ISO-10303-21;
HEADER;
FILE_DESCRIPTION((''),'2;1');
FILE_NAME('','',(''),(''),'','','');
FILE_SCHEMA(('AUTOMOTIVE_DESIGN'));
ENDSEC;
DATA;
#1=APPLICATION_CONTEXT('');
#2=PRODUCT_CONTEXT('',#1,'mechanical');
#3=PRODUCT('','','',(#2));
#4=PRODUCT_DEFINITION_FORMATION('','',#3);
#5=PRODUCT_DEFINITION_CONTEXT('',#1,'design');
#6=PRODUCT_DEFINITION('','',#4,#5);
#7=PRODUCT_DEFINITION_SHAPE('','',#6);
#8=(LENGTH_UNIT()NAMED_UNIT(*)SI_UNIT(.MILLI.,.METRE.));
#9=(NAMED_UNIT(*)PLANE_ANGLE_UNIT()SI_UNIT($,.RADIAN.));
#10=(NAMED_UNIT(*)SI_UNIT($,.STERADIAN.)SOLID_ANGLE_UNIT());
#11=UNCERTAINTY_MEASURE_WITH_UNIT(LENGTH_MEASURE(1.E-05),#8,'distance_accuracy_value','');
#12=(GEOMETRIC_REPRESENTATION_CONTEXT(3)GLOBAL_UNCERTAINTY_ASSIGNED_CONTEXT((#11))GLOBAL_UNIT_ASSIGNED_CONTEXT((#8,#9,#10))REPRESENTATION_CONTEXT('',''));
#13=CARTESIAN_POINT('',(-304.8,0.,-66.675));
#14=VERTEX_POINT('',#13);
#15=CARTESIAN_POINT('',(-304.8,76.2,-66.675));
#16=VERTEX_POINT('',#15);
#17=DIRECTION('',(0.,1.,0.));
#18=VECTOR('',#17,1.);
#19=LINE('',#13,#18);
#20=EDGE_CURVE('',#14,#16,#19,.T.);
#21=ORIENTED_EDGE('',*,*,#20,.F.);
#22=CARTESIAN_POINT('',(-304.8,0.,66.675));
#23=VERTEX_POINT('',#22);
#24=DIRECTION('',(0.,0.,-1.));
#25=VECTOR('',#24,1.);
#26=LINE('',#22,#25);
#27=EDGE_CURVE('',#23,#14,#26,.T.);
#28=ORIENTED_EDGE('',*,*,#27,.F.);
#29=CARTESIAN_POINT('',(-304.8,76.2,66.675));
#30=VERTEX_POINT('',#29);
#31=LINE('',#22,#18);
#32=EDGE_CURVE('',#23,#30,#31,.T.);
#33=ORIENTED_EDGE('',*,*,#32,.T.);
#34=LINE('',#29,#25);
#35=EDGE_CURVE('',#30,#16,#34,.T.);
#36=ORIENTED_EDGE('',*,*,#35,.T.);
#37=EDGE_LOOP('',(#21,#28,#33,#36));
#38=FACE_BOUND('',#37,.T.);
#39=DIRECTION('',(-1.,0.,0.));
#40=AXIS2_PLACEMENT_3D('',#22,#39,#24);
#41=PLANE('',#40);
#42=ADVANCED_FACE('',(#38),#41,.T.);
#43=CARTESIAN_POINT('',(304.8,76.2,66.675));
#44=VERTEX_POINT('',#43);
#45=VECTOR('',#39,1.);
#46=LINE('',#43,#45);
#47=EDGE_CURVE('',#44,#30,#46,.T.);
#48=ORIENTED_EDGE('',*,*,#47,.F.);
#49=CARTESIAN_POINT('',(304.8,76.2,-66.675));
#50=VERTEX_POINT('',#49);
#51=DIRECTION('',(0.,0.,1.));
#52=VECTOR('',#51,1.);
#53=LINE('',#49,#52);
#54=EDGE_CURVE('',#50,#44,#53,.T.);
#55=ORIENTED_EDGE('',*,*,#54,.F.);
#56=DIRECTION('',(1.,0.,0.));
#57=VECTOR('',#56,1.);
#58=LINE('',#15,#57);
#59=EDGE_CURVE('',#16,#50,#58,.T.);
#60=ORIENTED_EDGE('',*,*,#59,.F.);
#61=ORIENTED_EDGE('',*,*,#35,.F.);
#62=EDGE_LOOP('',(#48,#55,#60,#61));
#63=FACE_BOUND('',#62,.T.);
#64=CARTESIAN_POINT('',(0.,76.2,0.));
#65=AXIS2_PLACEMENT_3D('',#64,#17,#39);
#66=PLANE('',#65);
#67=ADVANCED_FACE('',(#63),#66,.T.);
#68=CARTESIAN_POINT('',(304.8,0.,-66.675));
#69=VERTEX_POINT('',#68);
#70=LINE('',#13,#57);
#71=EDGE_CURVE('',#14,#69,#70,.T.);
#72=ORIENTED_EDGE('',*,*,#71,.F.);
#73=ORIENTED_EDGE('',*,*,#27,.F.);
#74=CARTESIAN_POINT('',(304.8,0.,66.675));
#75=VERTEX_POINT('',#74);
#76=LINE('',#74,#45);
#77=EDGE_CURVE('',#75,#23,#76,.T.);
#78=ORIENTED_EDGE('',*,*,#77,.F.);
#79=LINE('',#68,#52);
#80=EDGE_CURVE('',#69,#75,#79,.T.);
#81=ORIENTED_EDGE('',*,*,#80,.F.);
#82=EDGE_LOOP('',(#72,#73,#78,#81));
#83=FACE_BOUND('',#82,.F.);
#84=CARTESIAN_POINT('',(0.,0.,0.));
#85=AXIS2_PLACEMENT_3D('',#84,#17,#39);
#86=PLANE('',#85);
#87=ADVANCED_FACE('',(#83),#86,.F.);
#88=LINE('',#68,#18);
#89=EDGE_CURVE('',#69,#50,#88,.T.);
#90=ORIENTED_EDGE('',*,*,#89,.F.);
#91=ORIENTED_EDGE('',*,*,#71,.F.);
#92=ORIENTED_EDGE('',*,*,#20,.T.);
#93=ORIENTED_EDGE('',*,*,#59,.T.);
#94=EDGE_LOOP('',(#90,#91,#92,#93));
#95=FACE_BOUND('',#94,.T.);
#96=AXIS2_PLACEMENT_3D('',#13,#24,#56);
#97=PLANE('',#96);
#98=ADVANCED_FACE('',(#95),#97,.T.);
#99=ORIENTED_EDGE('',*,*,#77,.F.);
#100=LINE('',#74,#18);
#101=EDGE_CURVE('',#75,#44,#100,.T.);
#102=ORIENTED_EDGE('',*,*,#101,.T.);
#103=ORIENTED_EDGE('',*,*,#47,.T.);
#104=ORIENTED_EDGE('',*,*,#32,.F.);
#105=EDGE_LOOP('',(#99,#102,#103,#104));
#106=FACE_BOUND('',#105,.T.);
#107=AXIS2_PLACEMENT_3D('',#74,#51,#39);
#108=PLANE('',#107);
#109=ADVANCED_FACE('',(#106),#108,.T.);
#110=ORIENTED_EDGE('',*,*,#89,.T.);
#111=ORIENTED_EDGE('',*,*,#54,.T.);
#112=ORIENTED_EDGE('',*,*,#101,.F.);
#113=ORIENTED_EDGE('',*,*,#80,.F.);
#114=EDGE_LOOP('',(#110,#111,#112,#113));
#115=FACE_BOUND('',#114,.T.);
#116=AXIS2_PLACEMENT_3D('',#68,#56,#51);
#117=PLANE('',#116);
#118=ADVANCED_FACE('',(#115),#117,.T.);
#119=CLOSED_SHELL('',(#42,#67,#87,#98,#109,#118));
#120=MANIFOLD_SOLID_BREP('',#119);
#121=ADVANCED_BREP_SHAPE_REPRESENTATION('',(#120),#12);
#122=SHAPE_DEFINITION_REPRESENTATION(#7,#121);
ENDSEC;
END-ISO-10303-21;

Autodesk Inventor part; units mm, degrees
ref_plane "YZ Plane" through (0, 0, 0) normal (1, 0, 0) x (0, 1, 0)
ref_plane "XZ Plane" through (0, 0, 0) normal (0, 1, 0) x (-1, 0, 0)
ref_plane "XY Plane" through (0, 0, 0) normal (0, 0, 1) x (1, 0, 0)
sketch "Sketch1" plane through (0, 0, 0) normal (0, 1, 0) x (-1, 0, 0)
  line L0 (304.8, -66.675) -> (-304.8, -66.675)
  line L1 (-304.8, -66.675) -> (-304.8, 66.675)
  line L2 (-304.8, 66.675) -> (304.8, 66.675)
  line L3 (304.8, 66.675) -> (304.8, -66.675)
  line L4 (304.8, -66.675) -> (-304.8, 66.675) construction
  line L5 (-304.8, -66.675) -> (304.8, 66.675) construction
  point P0 (0, 0)
  dimension "d0" = 609.6
  dimension "d1" = 133.35
extrude "Extrusion1" add sketch "Sketch1" along normal blind 76.2
properties part number "Sconce_Backer_4" material "Limestone"
